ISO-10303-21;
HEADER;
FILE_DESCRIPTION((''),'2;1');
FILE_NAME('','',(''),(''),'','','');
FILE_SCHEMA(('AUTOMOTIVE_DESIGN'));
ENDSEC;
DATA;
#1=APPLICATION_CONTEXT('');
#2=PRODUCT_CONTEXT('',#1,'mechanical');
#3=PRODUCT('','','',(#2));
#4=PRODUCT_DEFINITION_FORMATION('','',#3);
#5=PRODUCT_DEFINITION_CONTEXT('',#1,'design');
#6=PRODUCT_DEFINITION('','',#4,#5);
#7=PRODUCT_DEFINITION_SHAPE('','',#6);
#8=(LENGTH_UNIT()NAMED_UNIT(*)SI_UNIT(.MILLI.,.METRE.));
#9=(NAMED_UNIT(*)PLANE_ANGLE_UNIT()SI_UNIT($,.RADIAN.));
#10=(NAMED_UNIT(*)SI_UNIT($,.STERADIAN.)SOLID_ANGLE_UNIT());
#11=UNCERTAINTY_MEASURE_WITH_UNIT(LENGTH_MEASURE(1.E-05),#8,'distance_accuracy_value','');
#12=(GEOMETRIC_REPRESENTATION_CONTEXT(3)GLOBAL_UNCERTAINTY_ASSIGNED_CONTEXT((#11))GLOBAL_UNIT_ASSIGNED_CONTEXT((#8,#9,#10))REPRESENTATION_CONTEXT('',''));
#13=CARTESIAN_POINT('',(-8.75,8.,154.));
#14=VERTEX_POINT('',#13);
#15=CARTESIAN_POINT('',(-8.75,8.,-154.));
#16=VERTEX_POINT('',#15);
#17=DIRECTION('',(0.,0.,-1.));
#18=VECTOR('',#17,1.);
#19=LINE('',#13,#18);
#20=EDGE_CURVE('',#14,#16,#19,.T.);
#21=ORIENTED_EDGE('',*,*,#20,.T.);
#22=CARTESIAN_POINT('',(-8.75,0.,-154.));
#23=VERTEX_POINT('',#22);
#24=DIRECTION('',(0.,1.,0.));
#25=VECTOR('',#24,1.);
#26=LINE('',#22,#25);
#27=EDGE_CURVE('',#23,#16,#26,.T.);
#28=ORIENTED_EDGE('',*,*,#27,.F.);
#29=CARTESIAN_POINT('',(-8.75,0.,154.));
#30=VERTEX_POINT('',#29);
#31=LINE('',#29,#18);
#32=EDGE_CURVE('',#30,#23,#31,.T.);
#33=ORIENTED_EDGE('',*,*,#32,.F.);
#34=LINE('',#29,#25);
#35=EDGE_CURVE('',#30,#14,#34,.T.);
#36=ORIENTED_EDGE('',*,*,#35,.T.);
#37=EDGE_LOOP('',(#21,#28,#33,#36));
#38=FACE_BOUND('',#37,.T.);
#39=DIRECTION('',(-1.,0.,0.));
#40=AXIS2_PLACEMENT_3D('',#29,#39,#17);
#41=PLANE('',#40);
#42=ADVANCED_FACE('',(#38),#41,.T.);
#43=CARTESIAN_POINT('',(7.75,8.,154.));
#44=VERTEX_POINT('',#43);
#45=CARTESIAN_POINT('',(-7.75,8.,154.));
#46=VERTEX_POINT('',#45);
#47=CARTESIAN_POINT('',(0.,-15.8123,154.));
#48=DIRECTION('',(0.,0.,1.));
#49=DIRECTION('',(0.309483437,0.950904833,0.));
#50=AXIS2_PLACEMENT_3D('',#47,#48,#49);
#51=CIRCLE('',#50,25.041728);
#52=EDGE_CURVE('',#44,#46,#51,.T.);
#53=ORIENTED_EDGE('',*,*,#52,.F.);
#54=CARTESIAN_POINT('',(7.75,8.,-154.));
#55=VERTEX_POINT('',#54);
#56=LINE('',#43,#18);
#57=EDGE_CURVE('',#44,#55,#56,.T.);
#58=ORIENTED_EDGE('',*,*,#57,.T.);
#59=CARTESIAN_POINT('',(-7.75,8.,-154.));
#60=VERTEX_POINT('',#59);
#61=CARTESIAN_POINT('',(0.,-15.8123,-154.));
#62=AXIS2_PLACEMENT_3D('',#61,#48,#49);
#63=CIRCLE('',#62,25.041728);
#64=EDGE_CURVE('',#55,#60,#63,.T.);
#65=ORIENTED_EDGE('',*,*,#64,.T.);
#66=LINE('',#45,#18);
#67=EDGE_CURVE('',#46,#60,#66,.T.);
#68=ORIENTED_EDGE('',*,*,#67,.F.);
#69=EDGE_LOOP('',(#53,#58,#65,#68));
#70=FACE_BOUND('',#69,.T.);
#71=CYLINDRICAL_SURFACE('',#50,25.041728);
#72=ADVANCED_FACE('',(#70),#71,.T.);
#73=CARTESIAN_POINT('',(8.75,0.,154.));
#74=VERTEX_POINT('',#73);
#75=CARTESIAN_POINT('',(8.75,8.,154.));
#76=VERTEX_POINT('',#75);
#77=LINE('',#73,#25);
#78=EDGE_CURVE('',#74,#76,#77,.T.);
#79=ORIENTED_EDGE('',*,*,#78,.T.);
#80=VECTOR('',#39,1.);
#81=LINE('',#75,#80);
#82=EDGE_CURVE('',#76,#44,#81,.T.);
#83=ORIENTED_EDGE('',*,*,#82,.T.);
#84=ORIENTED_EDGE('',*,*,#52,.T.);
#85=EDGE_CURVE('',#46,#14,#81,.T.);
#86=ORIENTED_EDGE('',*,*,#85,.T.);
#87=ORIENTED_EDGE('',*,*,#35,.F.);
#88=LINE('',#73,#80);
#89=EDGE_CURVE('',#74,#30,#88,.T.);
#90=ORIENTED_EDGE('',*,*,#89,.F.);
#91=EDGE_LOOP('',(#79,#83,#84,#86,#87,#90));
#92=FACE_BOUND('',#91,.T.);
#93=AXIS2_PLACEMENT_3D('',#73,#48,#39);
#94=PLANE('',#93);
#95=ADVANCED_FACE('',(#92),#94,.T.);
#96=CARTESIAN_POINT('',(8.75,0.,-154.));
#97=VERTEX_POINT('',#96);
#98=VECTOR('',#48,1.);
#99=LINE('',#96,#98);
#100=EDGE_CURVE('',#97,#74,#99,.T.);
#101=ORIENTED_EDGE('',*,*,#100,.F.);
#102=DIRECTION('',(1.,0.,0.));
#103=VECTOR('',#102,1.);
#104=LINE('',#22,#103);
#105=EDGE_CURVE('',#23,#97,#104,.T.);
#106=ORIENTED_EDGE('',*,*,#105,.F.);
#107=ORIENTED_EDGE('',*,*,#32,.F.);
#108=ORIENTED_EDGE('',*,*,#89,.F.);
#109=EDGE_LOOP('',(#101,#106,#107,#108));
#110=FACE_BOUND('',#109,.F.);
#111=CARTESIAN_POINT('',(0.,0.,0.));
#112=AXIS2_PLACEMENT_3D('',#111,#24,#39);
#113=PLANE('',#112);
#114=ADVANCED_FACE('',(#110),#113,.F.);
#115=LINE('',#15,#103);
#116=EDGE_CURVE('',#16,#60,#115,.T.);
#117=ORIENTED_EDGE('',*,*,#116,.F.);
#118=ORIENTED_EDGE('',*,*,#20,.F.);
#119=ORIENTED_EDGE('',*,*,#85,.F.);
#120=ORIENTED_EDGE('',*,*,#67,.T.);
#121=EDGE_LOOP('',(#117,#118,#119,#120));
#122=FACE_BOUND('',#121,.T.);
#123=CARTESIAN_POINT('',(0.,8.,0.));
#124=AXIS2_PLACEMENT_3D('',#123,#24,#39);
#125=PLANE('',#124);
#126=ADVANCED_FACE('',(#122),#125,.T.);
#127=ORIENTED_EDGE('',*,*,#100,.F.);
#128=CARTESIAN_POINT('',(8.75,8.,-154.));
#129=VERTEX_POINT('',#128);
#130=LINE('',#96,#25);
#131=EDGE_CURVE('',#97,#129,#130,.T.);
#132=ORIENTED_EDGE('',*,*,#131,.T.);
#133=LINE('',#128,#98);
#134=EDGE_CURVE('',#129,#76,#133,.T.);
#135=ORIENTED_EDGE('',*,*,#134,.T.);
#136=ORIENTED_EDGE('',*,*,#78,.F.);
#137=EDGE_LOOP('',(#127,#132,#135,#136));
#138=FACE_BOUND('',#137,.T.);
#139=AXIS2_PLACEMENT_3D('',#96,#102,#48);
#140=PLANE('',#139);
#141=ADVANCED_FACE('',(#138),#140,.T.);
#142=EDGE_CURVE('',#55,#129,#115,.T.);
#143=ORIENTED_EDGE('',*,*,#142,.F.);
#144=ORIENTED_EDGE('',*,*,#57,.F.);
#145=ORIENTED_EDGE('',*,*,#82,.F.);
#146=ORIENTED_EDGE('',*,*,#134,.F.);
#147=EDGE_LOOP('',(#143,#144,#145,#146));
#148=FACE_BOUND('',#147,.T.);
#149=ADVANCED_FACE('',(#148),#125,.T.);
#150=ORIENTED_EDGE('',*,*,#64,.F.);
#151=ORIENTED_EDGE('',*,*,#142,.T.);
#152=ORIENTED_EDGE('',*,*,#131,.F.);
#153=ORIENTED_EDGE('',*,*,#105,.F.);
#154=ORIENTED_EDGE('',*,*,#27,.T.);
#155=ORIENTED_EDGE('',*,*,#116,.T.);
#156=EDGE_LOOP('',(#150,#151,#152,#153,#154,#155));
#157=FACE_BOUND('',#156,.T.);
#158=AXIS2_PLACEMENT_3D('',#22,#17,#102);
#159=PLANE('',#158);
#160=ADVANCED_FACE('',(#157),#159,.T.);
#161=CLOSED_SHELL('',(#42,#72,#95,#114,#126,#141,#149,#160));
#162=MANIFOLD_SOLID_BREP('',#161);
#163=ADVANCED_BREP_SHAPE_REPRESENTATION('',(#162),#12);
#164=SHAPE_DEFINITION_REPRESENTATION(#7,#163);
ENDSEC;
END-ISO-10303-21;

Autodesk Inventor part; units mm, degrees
ref_plane "YZ Plane" through (0, 0, 0) normal (1, 0, 0) x (0, 1, 0)
ref_plane "XZ Plane" through (0, 0, 0) normal (0, 1, 0) x (-1, 0, 0)
ref_plane "XY Plane" through (0, 0, 0) normal (0, 0, 1) x (1, 0, 0)
sketch "Sketch1" plane through (0, 0, 0) normal (0, 1, 0) x (-1, 0, 0)
  line L0 (8.75, -154) -> (-8.75, -154)
  line L1 (-8.75, -154) -> (-8.75, 154)
  line L2 (-8.75, 154) -> (8.75, 154)
  line L3 (8.75, 154) -> (8.75, -154)
  line L4 (8.75, -154) -> (-8.75, 154) construction
  line L5 (-8.75, -154) -> (8.75, 154) construction
  point P0 (0, 0)
  dimension "d0" = 17.5
  dimension "d1" = 308
extrude "Extrusion1" add sketch "Sketch1" along normal blind 8
sketch "Sketch2" plane through (-8.75, 0, 154) normal (0, 0, 1) x (1, 0, 0)
  line L0 (0, 0) -> (17.5, 0) projected
  line L1 (17.5, 0) -> (17.5, 8) projected
  line L2 (0, 8) -> (17.5, 8) projected
  line L3 (0, 0) -> (0, 8) projected
  arc A0 (16.5, 8) -> (1, 8) centre (8.75, -15.8123) ccw
  point P0 (8.75, 0)
  dimension "d5" = 1
  dimension "d6" = 1
extrude "Extrusion2" add sketch "Sketch2" against normal up to surface (308 mm away) contours A0 L2
equation "\"d6\" = d5"
properties part number "Led Light"
